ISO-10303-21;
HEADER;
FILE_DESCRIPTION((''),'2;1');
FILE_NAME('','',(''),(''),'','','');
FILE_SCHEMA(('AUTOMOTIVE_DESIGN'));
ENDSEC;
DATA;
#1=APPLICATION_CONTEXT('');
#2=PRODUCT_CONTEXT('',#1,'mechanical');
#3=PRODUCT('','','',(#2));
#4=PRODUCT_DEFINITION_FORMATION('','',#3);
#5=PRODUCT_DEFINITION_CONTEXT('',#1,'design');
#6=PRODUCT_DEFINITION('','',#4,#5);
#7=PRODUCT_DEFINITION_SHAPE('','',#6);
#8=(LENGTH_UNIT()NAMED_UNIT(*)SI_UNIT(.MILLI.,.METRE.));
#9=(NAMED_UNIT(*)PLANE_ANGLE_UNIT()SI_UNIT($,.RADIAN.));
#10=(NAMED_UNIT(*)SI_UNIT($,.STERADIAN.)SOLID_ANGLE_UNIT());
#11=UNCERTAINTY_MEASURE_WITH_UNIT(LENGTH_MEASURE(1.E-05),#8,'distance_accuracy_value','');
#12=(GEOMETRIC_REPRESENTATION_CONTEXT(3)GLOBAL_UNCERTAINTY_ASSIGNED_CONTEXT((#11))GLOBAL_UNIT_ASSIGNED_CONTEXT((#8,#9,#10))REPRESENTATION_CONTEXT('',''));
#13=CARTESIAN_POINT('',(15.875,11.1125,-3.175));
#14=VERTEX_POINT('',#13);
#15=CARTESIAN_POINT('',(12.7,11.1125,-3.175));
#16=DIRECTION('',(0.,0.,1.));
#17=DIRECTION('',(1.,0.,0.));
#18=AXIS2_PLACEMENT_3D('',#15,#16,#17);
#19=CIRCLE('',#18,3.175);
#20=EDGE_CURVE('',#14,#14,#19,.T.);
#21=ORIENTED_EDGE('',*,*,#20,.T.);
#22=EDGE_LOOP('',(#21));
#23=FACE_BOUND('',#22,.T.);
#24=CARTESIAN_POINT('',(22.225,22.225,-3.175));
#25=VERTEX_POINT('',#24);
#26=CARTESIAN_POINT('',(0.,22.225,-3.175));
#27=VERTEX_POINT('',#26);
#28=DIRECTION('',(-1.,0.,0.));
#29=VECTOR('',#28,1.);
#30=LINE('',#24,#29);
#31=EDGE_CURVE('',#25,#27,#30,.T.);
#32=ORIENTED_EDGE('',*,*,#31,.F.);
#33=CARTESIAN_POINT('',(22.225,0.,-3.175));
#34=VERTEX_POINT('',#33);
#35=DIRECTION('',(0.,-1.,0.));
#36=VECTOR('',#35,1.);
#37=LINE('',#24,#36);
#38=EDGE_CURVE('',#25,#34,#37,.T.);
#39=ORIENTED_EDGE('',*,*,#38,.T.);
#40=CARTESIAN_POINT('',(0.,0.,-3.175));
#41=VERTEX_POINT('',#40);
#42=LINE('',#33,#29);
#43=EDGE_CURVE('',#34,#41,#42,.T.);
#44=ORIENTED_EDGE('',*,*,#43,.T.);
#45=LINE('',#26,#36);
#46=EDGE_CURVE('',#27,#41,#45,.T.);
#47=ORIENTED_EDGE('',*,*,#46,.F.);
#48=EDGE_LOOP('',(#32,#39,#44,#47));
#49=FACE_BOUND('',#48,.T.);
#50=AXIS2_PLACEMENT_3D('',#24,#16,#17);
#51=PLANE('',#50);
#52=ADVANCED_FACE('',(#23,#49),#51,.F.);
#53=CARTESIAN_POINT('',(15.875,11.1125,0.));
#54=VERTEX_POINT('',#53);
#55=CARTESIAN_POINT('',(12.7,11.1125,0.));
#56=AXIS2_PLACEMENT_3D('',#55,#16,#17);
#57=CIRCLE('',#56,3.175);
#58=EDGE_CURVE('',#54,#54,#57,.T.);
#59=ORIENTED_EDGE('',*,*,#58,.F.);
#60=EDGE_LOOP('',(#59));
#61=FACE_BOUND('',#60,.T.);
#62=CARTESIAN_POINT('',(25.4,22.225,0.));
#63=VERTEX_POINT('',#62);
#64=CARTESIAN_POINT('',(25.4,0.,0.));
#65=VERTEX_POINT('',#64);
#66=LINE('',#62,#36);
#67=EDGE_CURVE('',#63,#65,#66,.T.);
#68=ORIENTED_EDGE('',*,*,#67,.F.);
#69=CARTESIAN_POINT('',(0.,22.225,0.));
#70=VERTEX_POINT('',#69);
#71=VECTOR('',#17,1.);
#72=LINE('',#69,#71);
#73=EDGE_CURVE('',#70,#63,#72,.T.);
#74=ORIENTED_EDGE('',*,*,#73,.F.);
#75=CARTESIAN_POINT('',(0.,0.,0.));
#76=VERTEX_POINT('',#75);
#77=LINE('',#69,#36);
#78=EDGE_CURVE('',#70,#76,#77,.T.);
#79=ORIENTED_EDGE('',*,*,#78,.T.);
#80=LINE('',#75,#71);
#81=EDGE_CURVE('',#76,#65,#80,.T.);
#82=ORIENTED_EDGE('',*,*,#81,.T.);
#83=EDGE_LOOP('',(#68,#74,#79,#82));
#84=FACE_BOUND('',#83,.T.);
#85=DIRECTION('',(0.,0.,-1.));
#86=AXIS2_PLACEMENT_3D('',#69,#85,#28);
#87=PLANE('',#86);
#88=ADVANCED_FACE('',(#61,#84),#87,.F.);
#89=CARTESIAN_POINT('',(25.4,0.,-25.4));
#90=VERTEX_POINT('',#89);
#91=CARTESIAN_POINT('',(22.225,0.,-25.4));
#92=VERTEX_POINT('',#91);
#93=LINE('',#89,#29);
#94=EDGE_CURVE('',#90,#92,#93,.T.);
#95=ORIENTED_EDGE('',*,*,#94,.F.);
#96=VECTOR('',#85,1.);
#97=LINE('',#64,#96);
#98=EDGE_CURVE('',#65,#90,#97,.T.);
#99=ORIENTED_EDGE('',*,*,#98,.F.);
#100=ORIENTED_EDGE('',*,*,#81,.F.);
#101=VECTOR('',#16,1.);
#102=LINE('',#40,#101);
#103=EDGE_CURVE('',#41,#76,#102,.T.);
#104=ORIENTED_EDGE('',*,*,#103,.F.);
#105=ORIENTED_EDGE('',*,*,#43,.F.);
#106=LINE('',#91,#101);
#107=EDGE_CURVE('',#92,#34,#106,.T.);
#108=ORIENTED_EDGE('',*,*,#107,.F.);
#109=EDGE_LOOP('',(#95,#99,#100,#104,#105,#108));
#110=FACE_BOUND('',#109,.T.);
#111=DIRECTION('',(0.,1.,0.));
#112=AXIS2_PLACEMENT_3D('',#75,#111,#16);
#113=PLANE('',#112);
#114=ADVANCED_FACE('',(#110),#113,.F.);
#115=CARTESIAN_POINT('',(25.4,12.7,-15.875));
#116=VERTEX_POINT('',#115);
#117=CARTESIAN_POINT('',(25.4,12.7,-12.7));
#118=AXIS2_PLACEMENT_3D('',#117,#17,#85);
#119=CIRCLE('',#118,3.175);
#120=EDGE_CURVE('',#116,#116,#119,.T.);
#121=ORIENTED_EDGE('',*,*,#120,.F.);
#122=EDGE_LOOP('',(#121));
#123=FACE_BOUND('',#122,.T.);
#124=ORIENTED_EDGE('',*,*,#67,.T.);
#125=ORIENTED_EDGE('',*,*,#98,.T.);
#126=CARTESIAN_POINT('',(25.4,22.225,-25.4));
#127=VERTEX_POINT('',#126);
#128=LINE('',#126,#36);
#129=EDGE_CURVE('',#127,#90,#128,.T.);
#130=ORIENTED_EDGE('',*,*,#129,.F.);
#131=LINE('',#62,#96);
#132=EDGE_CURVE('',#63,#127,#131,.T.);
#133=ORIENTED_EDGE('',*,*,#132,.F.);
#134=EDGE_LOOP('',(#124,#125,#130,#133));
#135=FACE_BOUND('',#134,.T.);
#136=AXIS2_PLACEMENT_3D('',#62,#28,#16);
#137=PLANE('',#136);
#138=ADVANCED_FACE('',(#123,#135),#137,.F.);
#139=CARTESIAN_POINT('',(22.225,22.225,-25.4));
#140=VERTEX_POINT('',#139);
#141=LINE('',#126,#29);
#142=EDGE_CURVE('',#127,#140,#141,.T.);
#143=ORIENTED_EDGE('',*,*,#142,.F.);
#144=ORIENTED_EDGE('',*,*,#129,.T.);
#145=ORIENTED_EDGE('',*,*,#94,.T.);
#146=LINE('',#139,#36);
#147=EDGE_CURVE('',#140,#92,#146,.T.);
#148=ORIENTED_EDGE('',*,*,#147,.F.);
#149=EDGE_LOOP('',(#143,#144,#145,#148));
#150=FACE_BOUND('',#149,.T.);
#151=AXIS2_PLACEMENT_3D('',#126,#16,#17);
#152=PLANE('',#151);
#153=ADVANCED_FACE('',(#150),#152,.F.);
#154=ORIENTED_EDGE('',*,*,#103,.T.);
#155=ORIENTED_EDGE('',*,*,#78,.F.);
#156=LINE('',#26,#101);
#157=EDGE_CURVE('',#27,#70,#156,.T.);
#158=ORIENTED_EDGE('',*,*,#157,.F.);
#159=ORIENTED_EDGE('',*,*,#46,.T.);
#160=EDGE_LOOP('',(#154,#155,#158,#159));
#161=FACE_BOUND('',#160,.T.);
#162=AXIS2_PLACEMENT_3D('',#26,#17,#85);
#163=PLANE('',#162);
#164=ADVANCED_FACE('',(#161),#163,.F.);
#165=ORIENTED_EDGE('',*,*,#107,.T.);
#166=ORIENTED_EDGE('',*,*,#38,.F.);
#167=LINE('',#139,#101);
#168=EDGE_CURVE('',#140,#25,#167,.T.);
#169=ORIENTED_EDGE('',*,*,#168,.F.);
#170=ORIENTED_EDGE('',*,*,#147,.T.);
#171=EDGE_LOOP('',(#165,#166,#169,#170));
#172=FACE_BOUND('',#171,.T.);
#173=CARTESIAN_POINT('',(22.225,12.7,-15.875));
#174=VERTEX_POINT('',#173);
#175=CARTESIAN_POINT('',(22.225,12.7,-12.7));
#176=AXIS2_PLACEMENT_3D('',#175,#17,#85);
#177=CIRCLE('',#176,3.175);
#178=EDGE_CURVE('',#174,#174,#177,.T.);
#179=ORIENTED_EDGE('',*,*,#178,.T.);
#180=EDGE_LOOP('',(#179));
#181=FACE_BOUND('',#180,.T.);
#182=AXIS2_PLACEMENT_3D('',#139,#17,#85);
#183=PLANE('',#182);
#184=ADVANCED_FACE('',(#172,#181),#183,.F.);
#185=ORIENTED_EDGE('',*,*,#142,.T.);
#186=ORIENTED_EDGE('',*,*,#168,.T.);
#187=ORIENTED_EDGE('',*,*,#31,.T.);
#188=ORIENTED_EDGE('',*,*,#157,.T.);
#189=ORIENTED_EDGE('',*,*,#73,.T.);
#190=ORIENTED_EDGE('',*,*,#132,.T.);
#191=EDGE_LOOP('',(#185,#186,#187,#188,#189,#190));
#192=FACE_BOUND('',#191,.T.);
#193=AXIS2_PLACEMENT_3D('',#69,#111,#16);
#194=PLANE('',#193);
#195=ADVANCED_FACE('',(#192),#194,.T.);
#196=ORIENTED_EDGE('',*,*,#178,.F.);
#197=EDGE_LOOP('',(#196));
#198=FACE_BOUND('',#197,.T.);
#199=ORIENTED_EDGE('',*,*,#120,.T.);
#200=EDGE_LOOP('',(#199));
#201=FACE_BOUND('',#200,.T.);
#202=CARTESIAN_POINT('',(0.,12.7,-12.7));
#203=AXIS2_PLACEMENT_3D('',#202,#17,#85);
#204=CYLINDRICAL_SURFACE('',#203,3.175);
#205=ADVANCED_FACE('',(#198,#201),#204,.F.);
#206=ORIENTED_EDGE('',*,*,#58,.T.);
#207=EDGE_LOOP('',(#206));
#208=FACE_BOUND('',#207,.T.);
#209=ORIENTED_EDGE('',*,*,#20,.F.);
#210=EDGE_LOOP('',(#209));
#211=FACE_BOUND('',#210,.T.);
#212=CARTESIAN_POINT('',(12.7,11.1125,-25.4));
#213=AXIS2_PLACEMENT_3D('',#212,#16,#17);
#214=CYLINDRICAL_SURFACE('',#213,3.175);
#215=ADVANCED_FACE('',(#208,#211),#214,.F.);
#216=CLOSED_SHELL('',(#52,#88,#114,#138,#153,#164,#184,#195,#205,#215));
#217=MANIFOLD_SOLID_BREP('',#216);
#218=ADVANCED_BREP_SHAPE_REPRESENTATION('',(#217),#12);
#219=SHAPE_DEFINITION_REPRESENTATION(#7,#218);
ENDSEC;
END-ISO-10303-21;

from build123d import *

# Parameters (mm, degrees)
BOSS_EXTRUDE1_DEPTH = 22.225
SKETCH2_R           = 3.175
CUT_EXTRUDE1_DEPTH  = 25.4
SKETCH3_R           = 3.175
CUT_EXTRUDE2_DEPTH  = 25.4


with BuildPart() as part:
    # Sketch1 → Boss-Extrude1 (new body)
    with BuildSketch(Plane(origin=(0, 0, 0), x_dir=(1, 0, 0), z_dir=(0, 1, 0))):
        Polygon((0, 0), (25.4, 0), (25.4, 25.4), (22.225, 25.4), (22.225, 3.175), (0, 3.175), align=None)
    extrude(amount=BOSS_EXTRUDE1_DEPTH)

    # Sketch2 → Cut-Extrude1 (cut)
    with BuildSketch(Plane(origin=(25.4, 0, 0), x_dir=(0, 0, -1), z_dir=(1, 0, 0))):
        with Locations((12.7, 12.7)):
            Circle(SKETCH2_R)
    extrude(amount=-CUT_EXTRUDE1_DEPTH, mode=Mode.SUBTRACT)

    # Sketch3 → Cut-Extrude2 (cut)
    with BuildSketch(Plane.XY):
        with Locations((12.7, 11.1125)):
            Circle(SKETCH3_R)
    extrude(amount=-CUT_EXTRUDE2_DEPTH, mode=Mode.SUBTRACT)


solid = part.part
